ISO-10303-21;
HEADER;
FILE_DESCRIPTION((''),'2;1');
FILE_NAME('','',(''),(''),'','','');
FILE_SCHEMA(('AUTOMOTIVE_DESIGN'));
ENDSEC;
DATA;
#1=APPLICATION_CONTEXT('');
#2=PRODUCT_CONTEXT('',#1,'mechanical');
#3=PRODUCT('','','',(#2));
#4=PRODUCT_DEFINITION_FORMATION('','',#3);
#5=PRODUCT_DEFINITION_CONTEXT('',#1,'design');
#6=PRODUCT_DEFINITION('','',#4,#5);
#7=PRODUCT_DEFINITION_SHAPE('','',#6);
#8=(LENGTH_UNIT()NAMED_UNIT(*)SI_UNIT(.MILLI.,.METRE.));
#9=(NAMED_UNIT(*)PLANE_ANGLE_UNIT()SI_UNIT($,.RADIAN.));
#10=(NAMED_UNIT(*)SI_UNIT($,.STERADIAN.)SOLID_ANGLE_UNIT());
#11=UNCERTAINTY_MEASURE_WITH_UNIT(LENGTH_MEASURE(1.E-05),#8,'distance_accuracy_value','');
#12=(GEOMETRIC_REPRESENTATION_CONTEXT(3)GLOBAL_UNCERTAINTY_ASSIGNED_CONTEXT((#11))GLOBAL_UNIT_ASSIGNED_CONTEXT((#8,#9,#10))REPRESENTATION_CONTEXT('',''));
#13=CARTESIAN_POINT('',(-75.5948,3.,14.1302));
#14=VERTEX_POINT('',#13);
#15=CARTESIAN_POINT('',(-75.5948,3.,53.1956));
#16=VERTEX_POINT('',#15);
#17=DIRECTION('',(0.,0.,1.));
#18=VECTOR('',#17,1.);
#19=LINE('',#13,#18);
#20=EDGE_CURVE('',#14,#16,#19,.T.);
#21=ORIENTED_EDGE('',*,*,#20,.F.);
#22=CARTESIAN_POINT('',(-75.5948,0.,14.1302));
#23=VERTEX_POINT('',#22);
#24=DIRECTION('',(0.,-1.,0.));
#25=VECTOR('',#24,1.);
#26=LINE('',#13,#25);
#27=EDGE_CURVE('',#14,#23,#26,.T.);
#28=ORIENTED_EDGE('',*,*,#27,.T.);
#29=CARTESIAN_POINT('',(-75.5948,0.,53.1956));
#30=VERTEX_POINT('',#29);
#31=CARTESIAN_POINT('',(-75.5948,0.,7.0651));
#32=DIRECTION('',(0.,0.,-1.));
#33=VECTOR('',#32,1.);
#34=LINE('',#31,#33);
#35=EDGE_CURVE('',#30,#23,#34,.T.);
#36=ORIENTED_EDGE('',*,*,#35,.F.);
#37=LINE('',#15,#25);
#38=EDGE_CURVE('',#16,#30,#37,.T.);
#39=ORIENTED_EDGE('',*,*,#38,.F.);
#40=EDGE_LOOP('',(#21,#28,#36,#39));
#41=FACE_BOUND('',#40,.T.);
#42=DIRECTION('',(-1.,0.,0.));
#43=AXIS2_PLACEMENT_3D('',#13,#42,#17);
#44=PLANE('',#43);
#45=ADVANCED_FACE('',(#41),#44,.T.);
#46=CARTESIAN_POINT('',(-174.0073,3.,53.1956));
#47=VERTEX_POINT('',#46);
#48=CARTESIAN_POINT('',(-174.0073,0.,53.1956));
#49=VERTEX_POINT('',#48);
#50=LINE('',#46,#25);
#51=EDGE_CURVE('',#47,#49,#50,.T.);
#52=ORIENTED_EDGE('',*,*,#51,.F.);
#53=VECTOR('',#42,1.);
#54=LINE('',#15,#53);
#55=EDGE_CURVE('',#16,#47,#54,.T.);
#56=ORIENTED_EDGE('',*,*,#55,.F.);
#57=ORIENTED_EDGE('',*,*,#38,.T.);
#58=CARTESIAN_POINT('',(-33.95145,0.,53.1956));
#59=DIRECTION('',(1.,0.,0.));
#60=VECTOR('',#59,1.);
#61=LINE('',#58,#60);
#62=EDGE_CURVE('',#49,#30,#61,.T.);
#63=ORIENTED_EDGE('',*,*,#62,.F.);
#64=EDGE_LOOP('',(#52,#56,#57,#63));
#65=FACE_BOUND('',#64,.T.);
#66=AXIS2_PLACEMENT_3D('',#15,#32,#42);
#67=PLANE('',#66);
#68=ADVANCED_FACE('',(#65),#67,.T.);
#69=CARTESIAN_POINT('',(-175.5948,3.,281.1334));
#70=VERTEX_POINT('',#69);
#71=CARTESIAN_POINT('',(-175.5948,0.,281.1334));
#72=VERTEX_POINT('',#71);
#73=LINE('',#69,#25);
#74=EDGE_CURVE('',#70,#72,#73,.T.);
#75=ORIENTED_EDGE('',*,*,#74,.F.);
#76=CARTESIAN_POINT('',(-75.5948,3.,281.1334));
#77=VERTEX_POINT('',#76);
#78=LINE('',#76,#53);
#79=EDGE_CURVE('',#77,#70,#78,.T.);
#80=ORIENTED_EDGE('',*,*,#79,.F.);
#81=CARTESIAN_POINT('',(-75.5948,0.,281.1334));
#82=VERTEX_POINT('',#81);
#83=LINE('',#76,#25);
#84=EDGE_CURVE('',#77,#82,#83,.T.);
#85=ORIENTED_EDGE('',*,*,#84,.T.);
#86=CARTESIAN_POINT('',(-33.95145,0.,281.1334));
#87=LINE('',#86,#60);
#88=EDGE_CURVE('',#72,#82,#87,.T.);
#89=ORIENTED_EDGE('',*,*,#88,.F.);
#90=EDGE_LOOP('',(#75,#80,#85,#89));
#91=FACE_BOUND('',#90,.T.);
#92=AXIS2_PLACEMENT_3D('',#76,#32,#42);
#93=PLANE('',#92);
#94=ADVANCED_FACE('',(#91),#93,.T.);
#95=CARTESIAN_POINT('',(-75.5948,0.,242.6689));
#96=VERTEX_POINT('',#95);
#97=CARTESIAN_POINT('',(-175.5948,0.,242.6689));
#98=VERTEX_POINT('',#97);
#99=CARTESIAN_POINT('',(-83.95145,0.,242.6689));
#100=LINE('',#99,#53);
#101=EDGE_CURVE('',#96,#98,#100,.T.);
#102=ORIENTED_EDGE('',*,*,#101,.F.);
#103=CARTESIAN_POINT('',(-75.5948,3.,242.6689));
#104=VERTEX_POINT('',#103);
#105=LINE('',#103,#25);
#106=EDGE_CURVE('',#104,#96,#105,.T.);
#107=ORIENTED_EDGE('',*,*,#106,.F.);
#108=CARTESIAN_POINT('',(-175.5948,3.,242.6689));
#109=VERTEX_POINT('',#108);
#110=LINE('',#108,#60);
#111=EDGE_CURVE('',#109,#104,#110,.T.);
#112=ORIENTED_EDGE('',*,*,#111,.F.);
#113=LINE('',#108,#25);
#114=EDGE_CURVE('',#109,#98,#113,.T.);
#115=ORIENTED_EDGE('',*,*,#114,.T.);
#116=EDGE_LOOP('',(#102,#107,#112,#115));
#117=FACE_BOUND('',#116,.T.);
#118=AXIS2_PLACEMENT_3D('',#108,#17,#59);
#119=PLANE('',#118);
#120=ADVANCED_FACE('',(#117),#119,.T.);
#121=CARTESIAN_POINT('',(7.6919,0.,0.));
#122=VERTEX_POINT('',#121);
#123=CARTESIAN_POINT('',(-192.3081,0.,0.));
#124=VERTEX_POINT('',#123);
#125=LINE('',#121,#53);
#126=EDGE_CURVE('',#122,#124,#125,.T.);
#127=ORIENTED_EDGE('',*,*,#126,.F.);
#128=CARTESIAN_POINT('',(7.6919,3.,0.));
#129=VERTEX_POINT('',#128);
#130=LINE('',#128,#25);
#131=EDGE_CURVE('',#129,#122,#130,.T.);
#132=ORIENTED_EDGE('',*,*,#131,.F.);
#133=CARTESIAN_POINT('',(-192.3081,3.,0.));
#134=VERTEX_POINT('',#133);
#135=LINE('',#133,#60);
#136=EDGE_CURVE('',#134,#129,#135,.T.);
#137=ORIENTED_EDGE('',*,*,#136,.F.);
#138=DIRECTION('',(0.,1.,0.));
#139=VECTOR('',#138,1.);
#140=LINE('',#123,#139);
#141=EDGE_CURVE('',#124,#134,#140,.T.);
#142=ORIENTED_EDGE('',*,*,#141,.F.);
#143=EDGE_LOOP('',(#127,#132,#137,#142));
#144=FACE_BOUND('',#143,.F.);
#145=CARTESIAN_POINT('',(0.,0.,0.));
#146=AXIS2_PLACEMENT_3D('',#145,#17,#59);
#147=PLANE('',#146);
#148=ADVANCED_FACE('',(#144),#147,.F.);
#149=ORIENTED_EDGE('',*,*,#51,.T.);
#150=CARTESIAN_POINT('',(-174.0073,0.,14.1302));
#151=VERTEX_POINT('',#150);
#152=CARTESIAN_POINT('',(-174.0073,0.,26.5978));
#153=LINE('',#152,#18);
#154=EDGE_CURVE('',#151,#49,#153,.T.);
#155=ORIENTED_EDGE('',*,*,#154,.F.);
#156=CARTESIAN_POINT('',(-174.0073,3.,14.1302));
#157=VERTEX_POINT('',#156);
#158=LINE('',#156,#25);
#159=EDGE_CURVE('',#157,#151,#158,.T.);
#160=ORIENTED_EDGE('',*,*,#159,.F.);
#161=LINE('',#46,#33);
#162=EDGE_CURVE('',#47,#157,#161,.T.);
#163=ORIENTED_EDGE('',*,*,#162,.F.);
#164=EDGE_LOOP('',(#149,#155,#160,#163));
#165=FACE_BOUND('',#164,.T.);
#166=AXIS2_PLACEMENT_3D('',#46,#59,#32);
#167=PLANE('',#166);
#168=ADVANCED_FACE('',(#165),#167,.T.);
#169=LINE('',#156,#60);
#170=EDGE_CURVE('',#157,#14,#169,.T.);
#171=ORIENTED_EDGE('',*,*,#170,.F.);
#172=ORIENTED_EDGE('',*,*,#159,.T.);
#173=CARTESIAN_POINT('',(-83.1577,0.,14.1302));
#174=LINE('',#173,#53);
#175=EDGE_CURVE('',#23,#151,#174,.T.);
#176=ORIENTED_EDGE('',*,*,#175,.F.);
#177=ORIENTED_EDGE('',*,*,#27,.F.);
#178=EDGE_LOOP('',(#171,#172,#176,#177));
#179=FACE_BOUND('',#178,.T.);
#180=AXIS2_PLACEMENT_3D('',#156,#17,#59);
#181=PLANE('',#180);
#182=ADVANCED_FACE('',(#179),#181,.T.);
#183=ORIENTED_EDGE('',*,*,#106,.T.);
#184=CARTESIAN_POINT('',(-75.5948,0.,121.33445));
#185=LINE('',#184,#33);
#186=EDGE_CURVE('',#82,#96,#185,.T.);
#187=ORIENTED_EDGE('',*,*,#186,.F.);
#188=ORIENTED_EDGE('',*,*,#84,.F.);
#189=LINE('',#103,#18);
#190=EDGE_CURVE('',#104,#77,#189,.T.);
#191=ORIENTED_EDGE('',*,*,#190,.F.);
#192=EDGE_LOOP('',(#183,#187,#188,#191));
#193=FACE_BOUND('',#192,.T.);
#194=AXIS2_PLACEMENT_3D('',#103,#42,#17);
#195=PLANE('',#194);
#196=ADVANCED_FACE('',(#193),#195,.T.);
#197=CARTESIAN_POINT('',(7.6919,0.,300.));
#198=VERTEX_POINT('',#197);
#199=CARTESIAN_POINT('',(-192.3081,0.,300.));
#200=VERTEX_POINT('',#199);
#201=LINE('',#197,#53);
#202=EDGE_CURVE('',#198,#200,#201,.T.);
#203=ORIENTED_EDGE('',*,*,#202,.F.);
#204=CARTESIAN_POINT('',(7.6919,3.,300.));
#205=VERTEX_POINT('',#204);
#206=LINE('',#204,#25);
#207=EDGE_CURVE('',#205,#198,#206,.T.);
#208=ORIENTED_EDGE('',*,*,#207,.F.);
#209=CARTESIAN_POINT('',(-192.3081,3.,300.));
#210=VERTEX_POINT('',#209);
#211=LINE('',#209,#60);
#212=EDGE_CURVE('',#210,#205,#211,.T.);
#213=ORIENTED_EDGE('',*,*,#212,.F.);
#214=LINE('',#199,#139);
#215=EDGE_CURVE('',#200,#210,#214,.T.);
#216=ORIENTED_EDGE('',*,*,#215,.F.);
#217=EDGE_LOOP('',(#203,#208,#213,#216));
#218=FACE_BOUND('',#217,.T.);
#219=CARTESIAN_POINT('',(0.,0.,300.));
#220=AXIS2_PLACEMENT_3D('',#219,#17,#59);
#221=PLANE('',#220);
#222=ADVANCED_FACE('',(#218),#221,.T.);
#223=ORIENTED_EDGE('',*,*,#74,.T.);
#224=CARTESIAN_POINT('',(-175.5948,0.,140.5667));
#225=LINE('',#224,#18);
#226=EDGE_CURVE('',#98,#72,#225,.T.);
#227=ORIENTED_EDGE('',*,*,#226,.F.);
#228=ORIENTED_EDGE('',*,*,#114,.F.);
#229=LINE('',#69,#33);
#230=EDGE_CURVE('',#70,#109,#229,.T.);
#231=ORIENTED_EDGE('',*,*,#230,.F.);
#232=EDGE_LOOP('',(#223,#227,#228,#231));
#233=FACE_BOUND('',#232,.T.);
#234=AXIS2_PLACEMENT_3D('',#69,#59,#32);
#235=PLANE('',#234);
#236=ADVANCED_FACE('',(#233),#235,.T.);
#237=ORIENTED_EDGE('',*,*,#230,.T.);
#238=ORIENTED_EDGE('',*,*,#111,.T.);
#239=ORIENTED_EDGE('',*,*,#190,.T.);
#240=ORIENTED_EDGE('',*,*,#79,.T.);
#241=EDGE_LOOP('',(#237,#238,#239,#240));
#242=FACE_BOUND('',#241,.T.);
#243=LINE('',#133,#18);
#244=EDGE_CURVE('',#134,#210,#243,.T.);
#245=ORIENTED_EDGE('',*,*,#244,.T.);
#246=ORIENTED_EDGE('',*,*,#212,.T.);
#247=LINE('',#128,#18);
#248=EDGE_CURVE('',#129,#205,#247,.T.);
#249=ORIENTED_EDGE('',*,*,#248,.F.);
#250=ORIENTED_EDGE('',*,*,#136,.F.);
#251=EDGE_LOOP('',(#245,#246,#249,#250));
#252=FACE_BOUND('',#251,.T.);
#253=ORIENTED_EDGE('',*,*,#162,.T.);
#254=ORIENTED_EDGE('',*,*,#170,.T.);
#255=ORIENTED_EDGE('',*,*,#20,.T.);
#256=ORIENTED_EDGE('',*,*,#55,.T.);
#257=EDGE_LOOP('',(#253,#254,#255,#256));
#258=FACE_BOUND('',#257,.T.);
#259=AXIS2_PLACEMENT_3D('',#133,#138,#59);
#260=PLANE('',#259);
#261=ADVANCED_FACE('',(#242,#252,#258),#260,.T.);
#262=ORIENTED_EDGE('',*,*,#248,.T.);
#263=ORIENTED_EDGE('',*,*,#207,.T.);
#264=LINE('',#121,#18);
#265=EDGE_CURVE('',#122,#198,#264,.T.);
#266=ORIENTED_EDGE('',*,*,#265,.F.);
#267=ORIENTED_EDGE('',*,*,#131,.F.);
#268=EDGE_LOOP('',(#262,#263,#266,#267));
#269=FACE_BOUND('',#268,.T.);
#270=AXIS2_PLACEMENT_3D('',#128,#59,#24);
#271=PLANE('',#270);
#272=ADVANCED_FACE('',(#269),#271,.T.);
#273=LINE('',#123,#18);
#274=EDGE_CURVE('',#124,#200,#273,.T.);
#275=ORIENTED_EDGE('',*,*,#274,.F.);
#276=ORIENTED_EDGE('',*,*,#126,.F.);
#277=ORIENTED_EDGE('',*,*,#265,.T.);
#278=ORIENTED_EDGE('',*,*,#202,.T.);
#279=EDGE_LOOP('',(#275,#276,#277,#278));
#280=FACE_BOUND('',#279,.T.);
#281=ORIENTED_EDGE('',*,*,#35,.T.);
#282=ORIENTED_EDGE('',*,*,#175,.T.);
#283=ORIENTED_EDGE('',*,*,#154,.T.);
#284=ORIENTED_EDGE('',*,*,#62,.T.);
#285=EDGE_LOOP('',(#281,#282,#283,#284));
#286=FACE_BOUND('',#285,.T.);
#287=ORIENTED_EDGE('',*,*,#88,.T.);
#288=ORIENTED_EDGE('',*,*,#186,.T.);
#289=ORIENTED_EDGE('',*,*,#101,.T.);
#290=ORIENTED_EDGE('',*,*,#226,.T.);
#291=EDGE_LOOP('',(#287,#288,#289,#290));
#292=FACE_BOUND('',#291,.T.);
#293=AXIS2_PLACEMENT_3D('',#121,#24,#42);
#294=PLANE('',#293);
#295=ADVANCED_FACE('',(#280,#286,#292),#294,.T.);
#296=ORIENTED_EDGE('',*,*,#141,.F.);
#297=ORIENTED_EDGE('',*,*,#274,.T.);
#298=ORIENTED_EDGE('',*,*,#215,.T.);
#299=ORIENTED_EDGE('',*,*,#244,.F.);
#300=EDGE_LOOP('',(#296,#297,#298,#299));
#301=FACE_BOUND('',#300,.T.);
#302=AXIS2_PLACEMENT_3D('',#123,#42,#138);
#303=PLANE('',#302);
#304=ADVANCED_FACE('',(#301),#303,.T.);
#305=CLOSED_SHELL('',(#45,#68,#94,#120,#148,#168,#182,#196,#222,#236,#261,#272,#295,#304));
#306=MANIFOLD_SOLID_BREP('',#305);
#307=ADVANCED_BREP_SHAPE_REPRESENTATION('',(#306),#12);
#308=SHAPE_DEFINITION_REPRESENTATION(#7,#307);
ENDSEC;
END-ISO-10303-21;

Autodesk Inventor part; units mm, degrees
ref_plane "YZ Plane" through (0, 0, 0) normal (1, 0, 0) x (0, 1, 0)
ref_plane "XZ Plane" through (0, 0, 0) normal (0, 1, 0) x (-1, 0, 0)
ref_plane "XY Plane" through (0, 0, 0) normal (0, 0, 1) x (1, 0, 0)
sketch "Sketch1" plane through (0, 0, 0) normal (0, 0, 1) x (1, 0, 0)
  line L0 (7.6919, 0) -> (-192.3081, 0)
  line L1 (-192.3081, 0) -> (-192.3081, 3)
  line L2 (-192.3081, 3) -> (7.6919, 3)
  line L3 (7.6919, 3) -> (7.6919, 0)
  point P0 (0, 0)
  dimension "d0" = 200
  dimension "d1" = 3
extrude "Extrusion1" add sketch "Sketch1" along normal blind 300
sketch "Sketch2" plane through (-192.3081, 3, 0) normal (0, 1, 0) x (1, 0, 0)
  line L0 (100, -149.5891) -> (200, -149.5891)
  line L1 (200, -149.5891) -> (200, -174.5891)
  line L2 (200, 0) -> (200, -300) projected
  line L3 (200, -174.5891) -> (100, -174.5891)
  line L4 (200, -149.5891) -> (200, -124.5891)
  line L5 (200, -124.5891) -> (100, -124.5891)
  point P0 (192.3081, 0)
sketch "Sketch3" plane through (-192.3081, 3, 0) normal (0, 1, 0) x (1, 0, 0)
  line L0 (100.0009, -229.5915) -> (100.0009, -174.5915)
  line L1 (100.0089, -124.5986) -> (100.0089, -69.5986)
  line L2 (16.7133, -242.6689) -> (116.7133, -242.6689)
  line L3 (116.7133, -242.6689) -> (116.7133, -281.1334)
  line L4 (116.7133, -281.1334) -> (16.7133, -281.1334)
  line L5 (16.7133, -281.1334) -> (16.7133, -242.6689)
  line L6 (18.3008, -14.1302) -> (116.7133, -14.1302)
  line L7 (116.7133, -14.1302) -> (116.7133, -53.1956)
  line L8 (116.7133, -53.1956) -> (18.3008, -53.1956)
  line L9 (18.3008, -53.1956) -> (18.3008, -14.1302)
  point P0 (192.3081, 0)
extrude "Extrusion2" cut sketch "Sketch3" against normal blind 100
sketch "Sketch4" plane through (-192.3081, 3, 0) normal (0, 1, 0) x (1, 0, 0)
  point P0 (192.3081, 0)
properties part number "base"
